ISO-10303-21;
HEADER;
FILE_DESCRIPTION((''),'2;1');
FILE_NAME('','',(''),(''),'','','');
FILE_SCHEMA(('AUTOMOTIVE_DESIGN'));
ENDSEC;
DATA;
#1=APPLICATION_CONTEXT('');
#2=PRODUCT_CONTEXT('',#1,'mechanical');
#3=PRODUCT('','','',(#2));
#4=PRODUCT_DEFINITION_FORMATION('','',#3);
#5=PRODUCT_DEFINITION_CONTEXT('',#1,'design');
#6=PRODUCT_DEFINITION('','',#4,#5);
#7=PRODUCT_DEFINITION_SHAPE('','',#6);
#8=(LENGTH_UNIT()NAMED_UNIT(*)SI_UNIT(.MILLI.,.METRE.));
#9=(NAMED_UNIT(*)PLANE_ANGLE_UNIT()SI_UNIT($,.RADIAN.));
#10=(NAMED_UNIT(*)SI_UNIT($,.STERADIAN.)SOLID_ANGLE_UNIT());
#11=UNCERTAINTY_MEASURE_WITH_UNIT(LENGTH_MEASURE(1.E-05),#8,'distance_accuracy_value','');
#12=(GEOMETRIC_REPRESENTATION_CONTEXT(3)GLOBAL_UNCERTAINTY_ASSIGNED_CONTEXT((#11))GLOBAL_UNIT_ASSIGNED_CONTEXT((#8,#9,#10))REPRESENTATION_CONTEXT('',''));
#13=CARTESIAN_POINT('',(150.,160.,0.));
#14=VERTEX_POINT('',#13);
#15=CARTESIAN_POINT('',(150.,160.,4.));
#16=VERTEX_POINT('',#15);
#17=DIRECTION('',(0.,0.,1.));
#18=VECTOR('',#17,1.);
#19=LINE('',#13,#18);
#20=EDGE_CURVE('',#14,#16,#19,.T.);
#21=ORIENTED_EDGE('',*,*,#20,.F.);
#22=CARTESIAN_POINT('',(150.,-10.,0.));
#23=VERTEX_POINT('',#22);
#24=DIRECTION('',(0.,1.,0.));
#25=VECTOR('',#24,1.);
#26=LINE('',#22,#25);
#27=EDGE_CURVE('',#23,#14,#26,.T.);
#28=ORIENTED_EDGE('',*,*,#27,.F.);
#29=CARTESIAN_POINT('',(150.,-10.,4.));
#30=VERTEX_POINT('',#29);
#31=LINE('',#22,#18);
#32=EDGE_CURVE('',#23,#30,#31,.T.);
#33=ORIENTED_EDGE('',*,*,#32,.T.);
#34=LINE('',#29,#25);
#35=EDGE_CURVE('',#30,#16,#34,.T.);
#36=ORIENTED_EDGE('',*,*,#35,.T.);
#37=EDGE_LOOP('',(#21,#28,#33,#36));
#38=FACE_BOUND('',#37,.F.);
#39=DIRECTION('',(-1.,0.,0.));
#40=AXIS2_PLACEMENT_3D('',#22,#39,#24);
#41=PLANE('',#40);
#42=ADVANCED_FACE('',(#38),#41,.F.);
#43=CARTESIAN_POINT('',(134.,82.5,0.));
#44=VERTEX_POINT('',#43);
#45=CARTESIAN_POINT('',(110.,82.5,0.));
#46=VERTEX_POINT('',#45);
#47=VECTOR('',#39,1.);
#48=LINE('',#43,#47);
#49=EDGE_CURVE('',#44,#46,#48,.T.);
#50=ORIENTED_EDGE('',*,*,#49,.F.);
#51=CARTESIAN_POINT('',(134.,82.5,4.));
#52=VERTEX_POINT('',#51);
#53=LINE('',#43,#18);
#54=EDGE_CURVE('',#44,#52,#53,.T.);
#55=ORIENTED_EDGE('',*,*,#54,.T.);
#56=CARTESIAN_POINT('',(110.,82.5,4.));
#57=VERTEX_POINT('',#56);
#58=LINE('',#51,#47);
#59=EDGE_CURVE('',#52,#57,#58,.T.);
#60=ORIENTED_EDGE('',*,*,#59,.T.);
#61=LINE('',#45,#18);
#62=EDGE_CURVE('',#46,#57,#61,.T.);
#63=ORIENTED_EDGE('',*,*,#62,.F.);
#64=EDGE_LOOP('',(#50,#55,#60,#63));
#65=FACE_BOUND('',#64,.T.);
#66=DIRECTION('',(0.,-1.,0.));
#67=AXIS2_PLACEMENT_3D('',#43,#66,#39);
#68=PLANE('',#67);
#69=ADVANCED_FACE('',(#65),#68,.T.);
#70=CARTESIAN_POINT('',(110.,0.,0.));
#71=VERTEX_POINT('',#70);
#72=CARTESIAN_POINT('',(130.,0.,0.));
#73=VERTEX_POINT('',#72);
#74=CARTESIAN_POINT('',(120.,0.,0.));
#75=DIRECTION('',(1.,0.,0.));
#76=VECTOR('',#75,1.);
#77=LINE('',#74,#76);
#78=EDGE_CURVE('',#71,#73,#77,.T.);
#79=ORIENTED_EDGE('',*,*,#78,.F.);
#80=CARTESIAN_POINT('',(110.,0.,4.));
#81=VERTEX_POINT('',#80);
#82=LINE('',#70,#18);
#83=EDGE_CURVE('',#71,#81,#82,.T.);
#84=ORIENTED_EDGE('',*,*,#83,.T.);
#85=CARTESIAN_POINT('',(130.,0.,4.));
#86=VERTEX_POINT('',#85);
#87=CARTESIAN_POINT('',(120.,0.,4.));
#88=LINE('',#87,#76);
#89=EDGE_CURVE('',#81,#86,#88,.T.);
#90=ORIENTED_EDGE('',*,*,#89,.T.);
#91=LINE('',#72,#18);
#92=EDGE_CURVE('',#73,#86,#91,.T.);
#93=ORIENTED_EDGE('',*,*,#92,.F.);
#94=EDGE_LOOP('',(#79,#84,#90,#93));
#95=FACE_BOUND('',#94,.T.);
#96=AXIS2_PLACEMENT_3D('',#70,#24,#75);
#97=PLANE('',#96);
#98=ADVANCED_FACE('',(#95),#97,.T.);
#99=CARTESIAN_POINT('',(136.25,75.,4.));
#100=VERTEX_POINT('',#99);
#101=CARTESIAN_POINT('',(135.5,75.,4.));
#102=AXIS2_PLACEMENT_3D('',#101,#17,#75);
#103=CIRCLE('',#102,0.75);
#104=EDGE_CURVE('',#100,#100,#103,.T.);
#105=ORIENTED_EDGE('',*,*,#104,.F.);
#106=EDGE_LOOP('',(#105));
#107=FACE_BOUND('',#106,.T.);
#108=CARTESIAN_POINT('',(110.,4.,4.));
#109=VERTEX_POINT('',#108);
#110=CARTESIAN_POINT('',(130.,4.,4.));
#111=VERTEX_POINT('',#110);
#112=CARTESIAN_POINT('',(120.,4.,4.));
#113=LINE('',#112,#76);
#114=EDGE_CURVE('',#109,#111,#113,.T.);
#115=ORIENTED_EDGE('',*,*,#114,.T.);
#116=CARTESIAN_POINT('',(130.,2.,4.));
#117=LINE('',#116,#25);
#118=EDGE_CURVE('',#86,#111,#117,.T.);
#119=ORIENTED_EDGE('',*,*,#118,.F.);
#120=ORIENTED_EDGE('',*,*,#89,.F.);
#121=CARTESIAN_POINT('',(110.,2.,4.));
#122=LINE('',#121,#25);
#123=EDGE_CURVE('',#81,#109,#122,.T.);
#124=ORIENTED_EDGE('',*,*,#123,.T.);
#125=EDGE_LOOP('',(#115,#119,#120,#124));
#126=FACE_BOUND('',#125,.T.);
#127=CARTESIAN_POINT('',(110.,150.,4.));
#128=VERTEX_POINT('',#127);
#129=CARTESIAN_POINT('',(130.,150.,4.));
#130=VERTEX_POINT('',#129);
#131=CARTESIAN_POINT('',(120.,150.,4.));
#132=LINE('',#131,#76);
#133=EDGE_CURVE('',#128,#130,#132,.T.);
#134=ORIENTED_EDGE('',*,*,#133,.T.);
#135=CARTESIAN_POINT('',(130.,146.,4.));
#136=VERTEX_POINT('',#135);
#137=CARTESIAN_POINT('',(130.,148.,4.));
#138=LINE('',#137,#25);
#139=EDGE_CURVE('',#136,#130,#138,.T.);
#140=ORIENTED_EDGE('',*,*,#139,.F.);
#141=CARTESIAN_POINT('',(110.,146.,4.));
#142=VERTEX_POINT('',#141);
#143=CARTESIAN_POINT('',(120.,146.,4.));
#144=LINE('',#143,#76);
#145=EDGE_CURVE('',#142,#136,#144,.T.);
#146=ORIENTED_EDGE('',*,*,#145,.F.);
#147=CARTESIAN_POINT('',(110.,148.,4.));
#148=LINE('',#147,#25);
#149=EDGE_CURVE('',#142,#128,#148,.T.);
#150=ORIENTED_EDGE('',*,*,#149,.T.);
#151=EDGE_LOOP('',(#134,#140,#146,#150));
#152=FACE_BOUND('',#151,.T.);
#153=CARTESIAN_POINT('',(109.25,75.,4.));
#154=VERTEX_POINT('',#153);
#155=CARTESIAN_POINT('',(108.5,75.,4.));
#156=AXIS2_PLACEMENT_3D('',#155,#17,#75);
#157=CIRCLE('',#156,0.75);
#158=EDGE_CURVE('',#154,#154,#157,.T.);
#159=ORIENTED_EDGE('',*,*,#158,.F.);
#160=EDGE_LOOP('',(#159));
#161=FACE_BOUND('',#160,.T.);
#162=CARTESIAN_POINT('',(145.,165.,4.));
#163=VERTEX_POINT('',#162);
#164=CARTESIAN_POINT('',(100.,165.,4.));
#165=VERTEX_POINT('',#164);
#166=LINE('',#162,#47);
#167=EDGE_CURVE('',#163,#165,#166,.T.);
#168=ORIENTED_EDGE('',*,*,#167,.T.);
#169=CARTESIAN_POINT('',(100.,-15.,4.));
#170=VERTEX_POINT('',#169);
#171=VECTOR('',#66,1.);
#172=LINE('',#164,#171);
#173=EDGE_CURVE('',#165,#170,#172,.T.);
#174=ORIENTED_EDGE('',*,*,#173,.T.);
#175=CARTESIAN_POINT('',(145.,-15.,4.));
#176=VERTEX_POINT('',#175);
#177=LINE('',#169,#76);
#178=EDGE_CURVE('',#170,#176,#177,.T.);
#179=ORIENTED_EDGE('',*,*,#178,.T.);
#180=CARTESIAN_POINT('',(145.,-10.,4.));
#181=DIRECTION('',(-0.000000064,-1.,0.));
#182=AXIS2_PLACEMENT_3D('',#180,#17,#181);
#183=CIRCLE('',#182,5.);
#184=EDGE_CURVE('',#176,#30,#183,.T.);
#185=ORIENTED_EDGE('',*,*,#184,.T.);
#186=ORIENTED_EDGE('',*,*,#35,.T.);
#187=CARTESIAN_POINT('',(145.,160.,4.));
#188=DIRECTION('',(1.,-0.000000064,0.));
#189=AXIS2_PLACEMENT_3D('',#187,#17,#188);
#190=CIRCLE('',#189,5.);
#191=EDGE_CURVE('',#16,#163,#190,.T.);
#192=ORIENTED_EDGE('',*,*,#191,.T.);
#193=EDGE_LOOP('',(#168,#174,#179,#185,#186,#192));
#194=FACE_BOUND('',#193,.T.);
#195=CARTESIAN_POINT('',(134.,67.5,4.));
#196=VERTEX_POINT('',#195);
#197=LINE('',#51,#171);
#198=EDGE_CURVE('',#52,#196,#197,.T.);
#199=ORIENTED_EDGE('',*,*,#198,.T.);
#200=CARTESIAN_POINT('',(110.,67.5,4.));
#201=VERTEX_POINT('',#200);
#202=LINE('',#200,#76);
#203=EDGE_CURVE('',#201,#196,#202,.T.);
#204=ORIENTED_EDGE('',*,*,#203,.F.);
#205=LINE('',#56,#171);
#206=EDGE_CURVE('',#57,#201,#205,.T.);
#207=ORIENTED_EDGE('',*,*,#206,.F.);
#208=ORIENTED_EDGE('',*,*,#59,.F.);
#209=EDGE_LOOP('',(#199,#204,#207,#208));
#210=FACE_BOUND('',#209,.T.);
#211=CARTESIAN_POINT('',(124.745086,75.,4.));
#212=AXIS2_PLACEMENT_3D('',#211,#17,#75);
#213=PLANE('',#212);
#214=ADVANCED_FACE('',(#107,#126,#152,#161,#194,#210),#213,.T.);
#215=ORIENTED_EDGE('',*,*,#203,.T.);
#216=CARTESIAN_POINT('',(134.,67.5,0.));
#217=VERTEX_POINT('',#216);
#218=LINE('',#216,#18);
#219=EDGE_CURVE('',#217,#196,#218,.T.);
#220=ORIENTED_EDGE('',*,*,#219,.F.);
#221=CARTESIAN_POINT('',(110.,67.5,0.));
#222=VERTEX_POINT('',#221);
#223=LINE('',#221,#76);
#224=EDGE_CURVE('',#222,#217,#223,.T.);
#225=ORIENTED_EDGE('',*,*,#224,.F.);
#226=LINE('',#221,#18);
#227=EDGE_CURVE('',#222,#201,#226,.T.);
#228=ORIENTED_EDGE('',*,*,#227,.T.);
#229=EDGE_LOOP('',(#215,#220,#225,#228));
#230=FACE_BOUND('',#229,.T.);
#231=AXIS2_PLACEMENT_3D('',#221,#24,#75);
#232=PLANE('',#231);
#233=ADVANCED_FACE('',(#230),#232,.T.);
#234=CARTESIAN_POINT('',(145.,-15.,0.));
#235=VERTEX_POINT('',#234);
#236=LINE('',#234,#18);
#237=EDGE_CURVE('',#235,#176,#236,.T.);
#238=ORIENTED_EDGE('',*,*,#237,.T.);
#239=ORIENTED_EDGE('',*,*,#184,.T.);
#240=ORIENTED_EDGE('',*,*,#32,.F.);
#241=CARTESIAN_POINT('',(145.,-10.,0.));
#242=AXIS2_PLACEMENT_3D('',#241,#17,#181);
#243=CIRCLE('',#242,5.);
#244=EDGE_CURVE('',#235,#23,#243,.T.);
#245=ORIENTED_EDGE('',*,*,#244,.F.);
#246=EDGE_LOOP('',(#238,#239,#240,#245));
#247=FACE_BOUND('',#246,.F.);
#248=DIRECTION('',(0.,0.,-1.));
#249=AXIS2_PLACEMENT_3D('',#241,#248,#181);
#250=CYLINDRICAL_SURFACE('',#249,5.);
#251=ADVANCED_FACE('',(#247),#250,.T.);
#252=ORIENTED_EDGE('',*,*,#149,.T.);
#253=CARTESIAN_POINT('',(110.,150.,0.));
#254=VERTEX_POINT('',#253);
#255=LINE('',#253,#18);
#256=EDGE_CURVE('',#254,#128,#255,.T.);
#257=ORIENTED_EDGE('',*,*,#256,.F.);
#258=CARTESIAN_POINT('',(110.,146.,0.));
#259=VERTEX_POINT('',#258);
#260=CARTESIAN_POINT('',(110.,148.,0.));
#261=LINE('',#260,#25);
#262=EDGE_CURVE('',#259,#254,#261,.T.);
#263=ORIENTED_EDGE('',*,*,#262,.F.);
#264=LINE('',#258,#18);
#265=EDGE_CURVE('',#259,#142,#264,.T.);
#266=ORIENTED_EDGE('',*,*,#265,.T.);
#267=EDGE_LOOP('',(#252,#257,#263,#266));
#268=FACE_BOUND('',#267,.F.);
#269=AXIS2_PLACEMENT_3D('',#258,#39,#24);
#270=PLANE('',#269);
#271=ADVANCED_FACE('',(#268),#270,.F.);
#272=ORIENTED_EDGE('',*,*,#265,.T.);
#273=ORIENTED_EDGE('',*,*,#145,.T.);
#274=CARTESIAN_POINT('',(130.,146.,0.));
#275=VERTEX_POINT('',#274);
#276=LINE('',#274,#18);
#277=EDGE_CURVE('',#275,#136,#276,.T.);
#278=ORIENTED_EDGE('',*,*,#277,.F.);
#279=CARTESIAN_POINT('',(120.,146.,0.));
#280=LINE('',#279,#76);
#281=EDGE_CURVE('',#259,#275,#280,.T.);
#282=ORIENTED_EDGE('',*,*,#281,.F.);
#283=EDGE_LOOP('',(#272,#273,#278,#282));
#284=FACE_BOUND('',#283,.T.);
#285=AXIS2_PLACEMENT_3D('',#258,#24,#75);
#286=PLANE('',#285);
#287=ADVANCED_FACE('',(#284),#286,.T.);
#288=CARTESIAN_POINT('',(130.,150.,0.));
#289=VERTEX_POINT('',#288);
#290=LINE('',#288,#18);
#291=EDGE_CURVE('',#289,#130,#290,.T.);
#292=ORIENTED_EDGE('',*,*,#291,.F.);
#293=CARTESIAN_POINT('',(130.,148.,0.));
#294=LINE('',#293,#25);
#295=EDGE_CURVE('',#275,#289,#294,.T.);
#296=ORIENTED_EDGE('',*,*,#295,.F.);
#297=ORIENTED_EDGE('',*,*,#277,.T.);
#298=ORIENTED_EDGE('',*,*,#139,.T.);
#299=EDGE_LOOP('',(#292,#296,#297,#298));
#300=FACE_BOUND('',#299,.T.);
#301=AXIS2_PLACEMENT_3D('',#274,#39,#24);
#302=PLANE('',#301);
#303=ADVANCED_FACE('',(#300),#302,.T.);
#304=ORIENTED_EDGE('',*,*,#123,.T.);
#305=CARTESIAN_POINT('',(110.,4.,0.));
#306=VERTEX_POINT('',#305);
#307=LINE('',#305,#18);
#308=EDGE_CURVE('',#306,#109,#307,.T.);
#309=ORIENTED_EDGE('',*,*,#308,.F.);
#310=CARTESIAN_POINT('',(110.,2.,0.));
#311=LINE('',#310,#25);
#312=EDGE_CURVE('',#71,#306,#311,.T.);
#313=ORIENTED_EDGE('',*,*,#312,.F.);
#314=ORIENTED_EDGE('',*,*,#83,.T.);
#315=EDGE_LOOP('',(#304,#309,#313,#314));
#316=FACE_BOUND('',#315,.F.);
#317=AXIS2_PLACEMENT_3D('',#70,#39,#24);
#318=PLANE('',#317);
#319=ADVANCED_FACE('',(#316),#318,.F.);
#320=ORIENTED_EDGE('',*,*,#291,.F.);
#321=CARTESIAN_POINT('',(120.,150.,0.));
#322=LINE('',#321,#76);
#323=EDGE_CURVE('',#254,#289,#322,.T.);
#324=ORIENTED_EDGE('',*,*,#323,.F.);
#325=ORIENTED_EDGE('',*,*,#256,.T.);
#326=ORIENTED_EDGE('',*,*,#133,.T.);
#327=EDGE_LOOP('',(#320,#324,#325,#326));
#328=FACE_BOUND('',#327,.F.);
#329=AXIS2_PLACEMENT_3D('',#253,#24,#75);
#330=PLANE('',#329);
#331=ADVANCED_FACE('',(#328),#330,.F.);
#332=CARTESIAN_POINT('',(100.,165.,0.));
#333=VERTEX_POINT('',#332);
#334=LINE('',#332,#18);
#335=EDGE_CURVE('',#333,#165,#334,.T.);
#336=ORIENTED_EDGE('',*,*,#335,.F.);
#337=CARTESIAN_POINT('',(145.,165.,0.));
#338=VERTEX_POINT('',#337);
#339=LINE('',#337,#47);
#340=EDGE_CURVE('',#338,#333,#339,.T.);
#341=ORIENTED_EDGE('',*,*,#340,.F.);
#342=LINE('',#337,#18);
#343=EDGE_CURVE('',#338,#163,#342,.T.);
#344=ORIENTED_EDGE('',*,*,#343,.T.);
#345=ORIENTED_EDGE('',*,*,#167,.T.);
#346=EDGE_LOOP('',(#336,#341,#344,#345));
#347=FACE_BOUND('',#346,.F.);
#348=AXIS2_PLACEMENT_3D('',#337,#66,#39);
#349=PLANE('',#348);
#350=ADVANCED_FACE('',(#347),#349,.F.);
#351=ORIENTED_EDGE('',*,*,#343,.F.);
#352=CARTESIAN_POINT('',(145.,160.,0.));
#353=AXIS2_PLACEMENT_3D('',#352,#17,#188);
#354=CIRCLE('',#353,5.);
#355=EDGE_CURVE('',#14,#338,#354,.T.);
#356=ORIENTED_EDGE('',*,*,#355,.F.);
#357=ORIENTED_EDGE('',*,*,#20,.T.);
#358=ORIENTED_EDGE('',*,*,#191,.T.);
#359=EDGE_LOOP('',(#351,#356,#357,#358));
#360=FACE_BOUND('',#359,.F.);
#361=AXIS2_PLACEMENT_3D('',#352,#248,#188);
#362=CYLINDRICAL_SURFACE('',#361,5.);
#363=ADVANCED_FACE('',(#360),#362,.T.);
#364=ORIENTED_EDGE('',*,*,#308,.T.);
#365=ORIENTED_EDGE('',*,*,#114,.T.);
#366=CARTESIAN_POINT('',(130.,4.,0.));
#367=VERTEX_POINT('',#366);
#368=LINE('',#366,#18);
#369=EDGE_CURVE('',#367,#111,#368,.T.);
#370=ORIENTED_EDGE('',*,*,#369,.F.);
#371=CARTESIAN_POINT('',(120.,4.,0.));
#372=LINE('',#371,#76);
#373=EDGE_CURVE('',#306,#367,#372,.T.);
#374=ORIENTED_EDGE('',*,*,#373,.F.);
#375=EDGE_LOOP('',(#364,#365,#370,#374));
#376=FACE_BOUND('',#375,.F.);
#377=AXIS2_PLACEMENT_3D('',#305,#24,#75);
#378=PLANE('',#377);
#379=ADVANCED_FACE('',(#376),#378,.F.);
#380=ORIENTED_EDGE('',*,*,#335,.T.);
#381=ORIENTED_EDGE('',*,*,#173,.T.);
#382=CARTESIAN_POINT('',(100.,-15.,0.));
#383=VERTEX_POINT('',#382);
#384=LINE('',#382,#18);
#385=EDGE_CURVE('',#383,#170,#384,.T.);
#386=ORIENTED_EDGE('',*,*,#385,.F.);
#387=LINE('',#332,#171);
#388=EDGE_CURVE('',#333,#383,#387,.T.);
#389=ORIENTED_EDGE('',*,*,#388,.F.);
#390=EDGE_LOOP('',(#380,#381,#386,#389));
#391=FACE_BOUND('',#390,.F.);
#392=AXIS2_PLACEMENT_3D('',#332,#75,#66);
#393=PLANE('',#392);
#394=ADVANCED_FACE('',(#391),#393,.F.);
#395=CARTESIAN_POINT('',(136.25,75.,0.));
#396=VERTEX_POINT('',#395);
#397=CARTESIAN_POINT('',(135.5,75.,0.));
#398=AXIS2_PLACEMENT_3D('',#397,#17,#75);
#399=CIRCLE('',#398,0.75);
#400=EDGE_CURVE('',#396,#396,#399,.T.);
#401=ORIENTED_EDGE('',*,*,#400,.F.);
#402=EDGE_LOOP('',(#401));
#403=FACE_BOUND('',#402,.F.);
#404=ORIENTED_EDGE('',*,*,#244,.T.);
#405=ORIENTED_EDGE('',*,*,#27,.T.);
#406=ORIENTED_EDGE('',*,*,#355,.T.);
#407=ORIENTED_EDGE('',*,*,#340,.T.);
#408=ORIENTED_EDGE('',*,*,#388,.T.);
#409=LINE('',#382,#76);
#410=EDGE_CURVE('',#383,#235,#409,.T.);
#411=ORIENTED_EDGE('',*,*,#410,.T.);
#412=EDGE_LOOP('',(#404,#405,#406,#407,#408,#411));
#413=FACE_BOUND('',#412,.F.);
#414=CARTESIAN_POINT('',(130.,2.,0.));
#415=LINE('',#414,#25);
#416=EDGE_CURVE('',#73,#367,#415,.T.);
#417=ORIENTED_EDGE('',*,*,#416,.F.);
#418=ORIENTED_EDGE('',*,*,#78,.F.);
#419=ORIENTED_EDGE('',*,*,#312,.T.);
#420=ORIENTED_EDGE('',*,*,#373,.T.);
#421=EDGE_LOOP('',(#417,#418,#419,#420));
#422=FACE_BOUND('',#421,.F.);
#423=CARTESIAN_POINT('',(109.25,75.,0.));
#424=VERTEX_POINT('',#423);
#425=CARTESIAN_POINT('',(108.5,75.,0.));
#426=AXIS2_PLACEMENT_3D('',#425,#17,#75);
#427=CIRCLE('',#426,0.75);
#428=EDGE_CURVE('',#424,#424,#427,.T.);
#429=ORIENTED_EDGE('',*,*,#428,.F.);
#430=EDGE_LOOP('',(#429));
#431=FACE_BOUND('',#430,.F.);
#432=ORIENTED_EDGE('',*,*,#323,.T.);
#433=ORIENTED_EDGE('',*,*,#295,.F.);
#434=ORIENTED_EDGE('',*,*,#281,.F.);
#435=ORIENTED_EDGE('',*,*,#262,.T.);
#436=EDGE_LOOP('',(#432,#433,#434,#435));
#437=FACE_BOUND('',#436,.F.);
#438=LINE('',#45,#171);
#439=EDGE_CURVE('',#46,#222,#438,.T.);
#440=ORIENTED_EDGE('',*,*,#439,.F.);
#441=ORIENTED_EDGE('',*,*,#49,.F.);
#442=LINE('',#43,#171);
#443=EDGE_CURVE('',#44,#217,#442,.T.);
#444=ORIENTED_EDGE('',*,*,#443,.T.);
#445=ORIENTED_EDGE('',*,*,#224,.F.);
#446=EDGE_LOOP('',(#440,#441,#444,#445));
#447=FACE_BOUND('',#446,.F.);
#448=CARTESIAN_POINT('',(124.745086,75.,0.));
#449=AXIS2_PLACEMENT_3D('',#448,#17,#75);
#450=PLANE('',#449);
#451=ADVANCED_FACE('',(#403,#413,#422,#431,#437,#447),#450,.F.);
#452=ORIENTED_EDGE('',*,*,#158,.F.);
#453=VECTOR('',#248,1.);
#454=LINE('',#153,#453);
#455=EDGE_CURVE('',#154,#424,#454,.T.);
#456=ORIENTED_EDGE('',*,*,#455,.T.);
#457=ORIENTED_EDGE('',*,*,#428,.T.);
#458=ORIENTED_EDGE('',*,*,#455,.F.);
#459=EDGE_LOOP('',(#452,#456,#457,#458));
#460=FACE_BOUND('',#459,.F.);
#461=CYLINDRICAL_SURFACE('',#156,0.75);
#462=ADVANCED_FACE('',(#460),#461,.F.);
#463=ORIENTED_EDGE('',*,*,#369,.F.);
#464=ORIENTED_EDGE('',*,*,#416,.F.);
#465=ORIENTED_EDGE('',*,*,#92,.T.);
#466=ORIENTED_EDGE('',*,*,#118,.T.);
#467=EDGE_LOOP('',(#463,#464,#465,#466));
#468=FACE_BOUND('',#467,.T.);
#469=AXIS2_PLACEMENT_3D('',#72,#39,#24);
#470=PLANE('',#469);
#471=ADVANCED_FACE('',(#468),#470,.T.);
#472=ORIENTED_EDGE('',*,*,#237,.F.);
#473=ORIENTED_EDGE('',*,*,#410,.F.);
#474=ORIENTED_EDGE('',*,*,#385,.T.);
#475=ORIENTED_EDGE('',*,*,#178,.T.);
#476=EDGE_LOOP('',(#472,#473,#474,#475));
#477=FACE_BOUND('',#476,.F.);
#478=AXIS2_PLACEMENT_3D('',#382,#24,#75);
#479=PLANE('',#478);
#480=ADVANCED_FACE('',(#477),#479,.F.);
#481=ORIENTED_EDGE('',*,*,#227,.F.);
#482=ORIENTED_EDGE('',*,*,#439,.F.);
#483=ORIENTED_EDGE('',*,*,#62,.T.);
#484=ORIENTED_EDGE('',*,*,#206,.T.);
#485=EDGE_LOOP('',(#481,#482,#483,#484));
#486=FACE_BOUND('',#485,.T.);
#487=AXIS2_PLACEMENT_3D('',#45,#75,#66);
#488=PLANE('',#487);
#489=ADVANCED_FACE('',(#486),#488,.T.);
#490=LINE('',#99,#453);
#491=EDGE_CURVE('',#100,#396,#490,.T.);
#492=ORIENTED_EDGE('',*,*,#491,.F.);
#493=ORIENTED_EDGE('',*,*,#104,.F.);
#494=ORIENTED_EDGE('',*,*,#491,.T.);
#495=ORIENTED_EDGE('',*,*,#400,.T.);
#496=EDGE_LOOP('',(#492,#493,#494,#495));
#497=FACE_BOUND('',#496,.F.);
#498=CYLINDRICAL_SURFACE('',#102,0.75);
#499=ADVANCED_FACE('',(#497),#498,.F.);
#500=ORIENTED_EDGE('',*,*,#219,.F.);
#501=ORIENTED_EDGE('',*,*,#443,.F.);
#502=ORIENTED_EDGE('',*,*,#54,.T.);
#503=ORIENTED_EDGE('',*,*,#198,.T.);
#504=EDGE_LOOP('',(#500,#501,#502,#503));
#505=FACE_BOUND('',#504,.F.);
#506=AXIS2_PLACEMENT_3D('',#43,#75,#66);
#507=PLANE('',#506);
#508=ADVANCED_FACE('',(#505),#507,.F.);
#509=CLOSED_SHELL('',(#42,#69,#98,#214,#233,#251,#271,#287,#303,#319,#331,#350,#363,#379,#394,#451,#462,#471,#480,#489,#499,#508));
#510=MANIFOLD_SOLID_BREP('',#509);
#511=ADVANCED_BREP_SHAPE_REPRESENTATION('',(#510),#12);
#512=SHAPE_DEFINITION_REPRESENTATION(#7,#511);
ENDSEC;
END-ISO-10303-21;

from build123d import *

# Parameters (mm, degrees)
SKETCH002_W  = 20
SKETCH002_H  = 4
PAD_DEPTH    = 4
SKETCH003_R  = 0.75
POCKET_DEPTH = 5


with BuildPart() as part:
    # Sketch002 → Pad (new body)
    with BuildSketch(Plane.XY):
        with BuildLine():
            Line((100, 165), (100, -15))
            Line((100, -15), (145, -15))
            ThreePointArc((145, -15), (148.535534, -13.535534), (150, -10))
            Line((150, -10), (150, 0))
            Line((150, 0), (150, 150))
            Line((150, 150), (150, 160))
            ThreePointArc((150, 160), (148.535534, 163.535534), (145, 165))
            Line((145, 165), (100, 165))
        make_face()
        Polygon((110, 82.5), (110, 67.5), (134, 67.5), (134, 75), (134, 82.5), align=None, mode=Mode.SUBTRACT)
        with Locations((120, 148)):
            Rectangle(SKETCH002_W, SKETCH002_H, mode=Mode.SUBTRACT)
        with Locations((120, 2)):
            Rectangle(SKETCH002_W, SKETCH002_H, mode=Mode.SUBTRACT)
    extrude(amount=PAD_DEPTH)

    # Sketch003 (on Face18 of Pad) → Pocket (cut)
    with BuildSketch(Plane.XY.offset(4)):
        with Locations((108.5, 75)):
            Circle(SKETCH003_R)
        with Locations((135.5, 75)):
            Circle(SKETCH003_R)
    extrude(amount=-POCKET_DEPTH, mode=Mode.SUBTRACT)


solid = part.part
